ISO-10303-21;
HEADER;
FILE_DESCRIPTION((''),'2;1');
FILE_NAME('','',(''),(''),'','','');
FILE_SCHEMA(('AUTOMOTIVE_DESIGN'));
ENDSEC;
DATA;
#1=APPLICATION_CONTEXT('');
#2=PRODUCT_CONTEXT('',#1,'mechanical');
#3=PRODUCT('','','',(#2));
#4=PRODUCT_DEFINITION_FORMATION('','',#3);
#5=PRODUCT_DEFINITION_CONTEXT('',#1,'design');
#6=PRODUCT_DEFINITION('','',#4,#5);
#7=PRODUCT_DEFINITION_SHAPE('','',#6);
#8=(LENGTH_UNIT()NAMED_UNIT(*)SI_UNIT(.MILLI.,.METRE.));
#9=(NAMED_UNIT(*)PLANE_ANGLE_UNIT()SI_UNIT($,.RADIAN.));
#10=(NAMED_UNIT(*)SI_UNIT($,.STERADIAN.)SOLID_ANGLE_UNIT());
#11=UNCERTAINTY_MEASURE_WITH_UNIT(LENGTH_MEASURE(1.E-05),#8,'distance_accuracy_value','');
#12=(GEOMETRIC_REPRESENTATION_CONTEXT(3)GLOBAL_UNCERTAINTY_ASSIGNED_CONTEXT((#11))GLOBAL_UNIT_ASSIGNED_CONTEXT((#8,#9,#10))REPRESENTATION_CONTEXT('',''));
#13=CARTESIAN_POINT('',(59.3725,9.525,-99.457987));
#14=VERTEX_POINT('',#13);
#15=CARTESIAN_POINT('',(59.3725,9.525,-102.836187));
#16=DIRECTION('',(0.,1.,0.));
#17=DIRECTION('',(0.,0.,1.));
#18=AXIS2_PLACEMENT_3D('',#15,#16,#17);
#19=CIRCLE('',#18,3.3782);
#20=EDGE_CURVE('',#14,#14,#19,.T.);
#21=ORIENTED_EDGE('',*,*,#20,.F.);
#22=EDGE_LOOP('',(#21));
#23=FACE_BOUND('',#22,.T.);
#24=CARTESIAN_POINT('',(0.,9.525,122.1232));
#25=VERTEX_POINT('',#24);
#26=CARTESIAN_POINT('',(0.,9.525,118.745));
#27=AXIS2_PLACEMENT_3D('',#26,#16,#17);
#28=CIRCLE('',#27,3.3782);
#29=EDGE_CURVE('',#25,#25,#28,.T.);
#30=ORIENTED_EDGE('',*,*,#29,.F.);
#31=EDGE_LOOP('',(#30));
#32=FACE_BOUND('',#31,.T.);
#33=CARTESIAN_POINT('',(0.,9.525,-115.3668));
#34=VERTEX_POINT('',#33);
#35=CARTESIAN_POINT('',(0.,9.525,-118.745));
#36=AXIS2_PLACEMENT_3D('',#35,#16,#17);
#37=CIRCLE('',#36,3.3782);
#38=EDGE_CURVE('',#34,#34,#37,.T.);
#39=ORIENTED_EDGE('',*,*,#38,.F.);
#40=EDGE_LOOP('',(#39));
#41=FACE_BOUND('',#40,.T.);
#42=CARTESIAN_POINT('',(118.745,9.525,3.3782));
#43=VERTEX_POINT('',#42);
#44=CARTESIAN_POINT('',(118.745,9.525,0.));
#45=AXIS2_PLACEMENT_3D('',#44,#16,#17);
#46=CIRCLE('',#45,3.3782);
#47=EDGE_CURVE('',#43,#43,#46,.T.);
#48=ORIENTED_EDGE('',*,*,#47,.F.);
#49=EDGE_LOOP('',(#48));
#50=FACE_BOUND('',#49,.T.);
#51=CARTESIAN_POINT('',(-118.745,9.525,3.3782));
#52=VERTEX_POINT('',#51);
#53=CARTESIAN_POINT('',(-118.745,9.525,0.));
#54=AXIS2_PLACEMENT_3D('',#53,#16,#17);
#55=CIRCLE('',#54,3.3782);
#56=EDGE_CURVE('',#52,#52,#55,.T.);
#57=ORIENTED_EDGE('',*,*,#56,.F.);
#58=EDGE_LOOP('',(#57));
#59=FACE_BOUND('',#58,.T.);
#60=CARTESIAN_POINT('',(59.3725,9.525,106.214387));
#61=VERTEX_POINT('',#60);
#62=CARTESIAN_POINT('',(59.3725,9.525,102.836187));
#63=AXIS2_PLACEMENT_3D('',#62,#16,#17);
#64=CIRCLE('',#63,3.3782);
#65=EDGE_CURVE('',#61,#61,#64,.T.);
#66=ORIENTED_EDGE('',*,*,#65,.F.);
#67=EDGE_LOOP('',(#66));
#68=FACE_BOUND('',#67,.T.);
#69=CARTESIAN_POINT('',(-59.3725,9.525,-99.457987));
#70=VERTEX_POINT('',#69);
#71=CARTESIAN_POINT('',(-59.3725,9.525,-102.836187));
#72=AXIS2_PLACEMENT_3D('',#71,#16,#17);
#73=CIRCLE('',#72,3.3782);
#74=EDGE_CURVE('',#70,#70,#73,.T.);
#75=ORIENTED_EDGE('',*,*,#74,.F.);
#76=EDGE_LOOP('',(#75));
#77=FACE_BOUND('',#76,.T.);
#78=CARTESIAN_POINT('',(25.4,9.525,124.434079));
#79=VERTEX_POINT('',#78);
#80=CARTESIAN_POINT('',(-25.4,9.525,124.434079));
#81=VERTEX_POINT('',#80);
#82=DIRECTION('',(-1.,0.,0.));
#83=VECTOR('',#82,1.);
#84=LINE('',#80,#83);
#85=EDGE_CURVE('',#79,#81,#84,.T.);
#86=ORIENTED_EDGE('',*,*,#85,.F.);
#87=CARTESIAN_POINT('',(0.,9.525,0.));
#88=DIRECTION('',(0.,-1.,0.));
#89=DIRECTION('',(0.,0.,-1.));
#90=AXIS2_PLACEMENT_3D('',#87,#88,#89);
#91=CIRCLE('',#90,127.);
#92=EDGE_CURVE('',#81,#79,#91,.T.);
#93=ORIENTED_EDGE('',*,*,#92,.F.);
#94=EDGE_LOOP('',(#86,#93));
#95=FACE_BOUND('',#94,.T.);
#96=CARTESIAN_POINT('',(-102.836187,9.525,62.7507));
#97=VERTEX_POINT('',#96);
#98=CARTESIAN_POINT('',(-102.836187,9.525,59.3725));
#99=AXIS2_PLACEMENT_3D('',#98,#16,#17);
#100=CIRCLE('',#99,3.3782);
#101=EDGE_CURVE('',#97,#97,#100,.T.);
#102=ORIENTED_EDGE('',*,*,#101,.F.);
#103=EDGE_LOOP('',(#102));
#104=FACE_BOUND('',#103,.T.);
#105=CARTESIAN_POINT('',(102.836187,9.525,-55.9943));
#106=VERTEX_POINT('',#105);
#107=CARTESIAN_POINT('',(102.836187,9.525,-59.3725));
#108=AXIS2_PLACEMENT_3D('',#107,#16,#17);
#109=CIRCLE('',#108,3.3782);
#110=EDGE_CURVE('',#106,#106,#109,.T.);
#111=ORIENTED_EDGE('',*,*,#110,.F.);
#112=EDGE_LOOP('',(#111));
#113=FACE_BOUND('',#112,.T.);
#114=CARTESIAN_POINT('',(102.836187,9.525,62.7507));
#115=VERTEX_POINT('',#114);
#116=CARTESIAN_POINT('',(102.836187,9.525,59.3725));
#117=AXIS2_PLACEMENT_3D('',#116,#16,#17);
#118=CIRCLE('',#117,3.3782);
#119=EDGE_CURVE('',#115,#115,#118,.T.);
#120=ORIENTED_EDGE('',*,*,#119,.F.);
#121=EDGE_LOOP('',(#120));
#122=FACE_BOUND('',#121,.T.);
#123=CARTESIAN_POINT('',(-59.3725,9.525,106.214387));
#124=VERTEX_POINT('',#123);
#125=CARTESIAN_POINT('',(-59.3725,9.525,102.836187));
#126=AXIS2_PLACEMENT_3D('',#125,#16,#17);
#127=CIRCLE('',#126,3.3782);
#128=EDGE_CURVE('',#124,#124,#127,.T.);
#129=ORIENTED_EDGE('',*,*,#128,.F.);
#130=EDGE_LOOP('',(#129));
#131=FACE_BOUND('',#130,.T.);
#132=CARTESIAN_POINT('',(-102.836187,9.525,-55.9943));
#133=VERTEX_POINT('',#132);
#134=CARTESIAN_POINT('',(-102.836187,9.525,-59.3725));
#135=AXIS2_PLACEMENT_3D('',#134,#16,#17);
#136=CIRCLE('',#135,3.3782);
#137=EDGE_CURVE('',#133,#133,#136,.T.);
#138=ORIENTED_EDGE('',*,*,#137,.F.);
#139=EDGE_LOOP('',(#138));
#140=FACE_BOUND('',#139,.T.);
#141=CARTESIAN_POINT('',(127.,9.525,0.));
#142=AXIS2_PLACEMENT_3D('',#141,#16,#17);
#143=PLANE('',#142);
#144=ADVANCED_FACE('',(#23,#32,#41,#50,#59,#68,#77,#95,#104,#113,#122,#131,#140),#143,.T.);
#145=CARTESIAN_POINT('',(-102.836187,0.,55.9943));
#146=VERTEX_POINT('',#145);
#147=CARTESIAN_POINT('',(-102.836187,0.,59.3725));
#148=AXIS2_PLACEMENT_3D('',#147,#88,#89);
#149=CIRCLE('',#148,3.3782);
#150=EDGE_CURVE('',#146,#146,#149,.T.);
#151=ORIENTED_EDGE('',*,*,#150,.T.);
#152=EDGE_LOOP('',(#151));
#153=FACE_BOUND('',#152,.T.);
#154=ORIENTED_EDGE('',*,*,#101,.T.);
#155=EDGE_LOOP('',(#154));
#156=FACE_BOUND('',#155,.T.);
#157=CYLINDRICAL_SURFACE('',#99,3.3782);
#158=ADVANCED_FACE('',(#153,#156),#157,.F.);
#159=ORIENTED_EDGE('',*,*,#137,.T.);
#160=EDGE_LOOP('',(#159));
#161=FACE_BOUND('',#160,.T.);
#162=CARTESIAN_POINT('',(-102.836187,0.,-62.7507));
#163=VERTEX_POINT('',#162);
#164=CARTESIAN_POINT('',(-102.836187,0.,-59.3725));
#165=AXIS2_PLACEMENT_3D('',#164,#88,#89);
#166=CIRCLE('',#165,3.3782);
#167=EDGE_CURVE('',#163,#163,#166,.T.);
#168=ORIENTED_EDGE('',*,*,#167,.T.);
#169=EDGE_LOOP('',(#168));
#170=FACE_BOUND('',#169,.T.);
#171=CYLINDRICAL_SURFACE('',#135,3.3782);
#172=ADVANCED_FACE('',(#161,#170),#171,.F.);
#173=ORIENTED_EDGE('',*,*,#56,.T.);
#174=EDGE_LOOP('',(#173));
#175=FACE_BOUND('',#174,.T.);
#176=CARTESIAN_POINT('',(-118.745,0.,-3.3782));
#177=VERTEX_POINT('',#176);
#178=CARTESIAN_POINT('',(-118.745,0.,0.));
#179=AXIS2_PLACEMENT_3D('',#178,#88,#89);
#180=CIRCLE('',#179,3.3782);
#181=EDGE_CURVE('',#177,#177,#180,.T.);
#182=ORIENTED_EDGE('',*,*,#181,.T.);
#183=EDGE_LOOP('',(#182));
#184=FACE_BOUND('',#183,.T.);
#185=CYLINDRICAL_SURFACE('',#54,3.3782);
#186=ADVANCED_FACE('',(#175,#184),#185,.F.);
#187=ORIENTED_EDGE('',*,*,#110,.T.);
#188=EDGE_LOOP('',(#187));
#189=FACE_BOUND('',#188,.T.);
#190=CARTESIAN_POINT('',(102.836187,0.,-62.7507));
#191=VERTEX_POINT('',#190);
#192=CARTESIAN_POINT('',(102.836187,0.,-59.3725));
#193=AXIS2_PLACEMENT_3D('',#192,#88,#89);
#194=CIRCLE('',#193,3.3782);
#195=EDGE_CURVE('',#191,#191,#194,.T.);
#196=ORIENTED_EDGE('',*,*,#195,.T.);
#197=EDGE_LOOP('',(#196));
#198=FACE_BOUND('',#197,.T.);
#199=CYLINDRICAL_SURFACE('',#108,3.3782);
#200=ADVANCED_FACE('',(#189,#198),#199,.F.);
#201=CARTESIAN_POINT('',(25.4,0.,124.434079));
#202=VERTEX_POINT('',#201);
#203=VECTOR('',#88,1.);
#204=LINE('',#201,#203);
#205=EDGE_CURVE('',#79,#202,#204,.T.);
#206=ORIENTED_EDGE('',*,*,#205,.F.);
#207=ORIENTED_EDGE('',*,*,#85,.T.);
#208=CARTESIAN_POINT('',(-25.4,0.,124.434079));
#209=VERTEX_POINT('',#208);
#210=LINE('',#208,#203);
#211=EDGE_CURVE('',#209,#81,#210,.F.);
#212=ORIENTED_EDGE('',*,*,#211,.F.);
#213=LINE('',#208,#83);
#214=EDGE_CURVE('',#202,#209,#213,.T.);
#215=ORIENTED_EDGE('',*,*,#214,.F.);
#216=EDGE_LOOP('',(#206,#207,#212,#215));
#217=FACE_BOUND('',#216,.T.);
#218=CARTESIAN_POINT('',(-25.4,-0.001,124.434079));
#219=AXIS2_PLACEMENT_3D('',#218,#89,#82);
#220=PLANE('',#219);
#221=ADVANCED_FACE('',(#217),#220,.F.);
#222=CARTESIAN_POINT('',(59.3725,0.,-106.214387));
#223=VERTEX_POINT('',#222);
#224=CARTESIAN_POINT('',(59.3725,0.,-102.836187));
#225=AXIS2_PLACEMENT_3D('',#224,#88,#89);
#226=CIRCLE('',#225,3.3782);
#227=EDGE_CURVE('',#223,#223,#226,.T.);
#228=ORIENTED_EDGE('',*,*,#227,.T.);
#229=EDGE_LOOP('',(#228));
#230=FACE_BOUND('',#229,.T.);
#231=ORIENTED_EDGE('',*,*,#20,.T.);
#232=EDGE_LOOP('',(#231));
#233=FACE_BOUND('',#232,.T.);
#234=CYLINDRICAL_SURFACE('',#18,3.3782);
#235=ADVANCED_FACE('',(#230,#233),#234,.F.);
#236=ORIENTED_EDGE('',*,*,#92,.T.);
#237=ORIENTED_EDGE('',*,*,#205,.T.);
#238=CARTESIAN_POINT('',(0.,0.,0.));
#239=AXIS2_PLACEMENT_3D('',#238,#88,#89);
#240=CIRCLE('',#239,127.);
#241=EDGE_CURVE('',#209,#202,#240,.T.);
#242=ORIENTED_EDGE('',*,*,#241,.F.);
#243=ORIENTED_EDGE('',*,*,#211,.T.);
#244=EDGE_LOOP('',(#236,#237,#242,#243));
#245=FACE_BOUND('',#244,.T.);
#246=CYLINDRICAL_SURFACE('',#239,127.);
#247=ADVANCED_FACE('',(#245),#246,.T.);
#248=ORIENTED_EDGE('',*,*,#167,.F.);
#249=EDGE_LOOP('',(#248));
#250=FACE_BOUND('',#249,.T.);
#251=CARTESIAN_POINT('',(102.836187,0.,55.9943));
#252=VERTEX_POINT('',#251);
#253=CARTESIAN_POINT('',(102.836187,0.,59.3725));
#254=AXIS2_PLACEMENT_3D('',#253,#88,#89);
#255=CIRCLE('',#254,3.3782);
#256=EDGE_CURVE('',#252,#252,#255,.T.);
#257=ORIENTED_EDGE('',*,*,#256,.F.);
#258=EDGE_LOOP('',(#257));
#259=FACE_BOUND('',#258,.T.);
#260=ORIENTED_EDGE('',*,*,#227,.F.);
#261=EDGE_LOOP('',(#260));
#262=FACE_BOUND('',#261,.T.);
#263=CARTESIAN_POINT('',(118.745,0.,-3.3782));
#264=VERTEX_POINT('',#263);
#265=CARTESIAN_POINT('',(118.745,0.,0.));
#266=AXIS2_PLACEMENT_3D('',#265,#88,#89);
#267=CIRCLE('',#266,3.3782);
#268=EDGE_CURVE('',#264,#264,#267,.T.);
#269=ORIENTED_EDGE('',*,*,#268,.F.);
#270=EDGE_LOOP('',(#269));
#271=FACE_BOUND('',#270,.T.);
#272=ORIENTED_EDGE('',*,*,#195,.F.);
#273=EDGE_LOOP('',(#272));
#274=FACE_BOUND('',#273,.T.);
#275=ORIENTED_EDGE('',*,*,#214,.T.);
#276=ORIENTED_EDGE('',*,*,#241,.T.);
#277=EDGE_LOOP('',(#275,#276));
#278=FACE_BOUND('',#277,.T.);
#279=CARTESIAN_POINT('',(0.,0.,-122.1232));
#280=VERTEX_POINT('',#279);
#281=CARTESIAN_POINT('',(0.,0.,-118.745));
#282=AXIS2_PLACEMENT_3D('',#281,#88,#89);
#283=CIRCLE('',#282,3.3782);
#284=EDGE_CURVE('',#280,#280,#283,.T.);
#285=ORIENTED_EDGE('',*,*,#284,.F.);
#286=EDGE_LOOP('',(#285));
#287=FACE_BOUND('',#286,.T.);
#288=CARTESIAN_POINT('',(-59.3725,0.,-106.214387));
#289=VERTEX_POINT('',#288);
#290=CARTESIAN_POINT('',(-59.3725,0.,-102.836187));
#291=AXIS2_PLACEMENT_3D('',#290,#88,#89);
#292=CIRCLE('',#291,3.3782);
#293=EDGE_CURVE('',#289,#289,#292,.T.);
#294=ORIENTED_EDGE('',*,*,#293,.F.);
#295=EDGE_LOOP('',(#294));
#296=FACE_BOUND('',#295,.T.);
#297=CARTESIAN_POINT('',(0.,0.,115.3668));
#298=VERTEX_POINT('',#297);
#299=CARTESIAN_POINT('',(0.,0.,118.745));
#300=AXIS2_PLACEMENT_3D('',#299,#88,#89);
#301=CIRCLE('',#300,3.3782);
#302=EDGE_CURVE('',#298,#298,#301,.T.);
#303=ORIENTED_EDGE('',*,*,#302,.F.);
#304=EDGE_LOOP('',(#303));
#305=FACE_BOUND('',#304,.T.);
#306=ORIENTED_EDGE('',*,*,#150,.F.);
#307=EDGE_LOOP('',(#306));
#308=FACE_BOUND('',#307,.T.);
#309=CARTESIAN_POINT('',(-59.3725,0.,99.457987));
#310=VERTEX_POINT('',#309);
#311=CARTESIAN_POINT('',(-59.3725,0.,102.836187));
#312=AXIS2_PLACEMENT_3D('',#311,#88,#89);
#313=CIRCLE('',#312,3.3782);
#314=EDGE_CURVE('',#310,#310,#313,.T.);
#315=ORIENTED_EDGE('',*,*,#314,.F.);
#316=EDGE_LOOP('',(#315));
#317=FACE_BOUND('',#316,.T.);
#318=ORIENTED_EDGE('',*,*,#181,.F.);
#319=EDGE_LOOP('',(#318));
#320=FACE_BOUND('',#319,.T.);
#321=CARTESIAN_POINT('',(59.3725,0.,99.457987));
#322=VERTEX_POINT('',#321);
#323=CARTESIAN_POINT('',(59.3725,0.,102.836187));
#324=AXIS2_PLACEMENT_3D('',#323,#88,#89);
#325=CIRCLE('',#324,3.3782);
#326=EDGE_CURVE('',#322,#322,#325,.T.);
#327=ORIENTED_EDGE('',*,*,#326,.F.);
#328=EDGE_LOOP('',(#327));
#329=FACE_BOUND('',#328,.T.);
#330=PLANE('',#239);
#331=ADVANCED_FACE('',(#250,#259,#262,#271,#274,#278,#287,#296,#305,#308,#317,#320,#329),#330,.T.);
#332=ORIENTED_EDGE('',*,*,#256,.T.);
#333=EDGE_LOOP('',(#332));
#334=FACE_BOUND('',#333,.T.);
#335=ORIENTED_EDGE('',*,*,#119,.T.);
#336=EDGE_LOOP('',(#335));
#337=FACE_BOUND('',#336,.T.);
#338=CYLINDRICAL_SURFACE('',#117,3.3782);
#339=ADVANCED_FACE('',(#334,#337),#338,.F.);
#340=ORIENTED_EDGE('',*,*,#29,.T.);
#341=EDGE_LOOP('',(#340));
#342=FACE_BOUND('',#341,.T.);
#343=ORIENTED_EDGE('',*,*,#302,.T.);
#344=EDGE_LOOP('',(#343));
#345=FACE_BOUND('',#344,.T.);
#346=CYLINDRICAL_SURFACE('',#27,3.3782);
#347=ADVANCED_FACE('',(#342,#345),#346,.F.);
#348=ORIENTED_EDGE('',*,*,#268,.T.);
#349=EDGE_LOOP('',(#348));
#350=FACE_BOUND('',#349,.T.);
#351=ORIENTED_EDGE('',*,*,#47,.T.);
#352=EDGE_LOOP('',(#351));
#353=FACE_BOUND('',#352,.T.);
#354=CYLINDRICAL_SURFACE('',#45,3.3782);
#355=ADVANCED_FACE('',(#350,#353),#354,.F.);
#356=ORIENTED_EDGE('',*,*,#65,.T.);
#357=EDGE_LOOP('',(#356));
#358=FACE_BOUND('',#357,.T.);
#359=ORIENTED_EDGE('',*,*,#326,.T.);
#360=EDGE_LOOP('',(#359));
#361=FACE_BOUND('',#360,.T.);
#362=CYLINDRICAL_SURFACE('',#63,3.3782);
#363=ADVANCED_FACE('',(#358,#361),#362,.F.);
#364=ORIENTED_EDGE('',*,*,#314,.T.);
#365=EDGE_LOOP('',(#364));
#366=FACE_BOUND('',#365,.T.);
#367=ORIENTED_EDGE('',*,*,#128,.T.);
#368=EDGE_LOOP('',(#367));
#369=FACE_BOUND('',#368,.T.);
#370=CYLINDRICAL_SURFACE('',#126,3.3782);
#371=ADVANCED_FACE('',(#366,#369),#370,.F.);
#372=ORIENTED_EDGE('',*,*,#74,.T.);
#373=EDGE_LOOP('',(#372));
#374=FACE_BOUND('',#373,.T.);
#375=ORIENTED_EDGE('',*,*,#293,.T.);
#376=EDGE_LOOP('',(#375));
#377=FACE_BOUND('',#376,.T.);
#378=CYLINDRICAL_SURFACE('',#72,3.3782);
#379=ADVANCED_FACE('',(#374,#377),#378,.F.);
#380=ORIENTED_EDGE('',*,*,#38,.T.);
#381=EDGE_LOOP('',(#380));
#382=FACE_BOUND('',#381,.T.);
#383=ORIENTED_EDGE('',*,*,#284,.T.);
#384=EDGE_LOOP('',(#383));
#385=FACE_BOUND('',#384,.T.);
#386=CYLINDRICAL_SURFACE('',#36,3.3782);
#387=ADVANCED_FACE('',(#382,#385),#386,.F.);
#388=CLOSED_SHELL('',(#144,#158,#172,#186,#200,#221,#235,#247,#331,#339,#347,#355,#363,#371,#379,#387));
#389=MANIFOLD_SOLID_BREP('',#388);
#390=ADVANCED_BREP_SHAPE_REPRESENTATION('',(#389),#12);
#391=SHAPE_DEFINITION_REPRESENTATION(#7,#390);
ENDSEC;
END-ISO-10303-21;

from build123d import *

# Parameters (mm, degrees)
SKETCH1_W               = 127
SKETCH1_H               = 9.525
F_1_4_CLEARANCE_HOLE1_D = 6.7564
CUT_EXTRUDE1_REACH      = 181.858
SKETCH4_W               = 50.8
SKETCH4_H               = 2.565921067


with BuildPart() as part:
    # Sketch1 → Revolve1 (revolve)
    with BuildSketch(Plane.XY, mode=Mode.PRIVATE) as revolve1_sk:
        with Locations((63.5, 4.7625)):
            Rectangle(SKETCH1_W, SKETCH1_H)
    revolve(revolve1_sk.sketch.rotate(Axis((0, 0, 0), (0, 1, 0)), 90), axis=Axis((0, 0, 0), (0, 1, 0)))

    # 1/4 Clearance Hole1 (through all)
    with Locations(Plane(origin=(0, 9.525, 0), x_dir=(1, 0, 0), z_dir=(0, 1, 0))):
        with Locations((0, 118.745), (59.3725, 102.836186572), (102.836186572, 59.3725), (118.745, 0), (102.836186572, -59.3725), (59.3725, -102.836186572), (0, -118.745), (-59.3725, -102.836186572), (-102.836186572, -59.3725), (-118.745, 0), (-102.836186572, 59.3725), (-59.3725, 102.836186572)):
            Hole(F_1_4_CLEARANCE_HOLE1_D / 2)

    # Sketch4 → Cut-Extrude1 (cut, up to next)
    with BuildSketch(Plane(origin=(0, 9.525, 0), x_dir=(1, 0, 0), z_dir=(0, 1, 0)), mode=Mode.PRIVATE) as cut_extrude1_sk1:
        with Locations((0, -125.717039467)):
            Rectangle(SKETCH4_W, SKETCH4_H)
    cut_extrude1_tool1 = extrude(cut_extrude1_sk1.sketch, amount=-CUT_EXTRUDE1_REACH, mode=Mode.PRIVATE) & part.part
    add(cut_extrude1_tool1.solids().sort_by_distance((0, 9.525, 125.717039))[0], mode=Mode.SUBTRACT)


solid = part.part
